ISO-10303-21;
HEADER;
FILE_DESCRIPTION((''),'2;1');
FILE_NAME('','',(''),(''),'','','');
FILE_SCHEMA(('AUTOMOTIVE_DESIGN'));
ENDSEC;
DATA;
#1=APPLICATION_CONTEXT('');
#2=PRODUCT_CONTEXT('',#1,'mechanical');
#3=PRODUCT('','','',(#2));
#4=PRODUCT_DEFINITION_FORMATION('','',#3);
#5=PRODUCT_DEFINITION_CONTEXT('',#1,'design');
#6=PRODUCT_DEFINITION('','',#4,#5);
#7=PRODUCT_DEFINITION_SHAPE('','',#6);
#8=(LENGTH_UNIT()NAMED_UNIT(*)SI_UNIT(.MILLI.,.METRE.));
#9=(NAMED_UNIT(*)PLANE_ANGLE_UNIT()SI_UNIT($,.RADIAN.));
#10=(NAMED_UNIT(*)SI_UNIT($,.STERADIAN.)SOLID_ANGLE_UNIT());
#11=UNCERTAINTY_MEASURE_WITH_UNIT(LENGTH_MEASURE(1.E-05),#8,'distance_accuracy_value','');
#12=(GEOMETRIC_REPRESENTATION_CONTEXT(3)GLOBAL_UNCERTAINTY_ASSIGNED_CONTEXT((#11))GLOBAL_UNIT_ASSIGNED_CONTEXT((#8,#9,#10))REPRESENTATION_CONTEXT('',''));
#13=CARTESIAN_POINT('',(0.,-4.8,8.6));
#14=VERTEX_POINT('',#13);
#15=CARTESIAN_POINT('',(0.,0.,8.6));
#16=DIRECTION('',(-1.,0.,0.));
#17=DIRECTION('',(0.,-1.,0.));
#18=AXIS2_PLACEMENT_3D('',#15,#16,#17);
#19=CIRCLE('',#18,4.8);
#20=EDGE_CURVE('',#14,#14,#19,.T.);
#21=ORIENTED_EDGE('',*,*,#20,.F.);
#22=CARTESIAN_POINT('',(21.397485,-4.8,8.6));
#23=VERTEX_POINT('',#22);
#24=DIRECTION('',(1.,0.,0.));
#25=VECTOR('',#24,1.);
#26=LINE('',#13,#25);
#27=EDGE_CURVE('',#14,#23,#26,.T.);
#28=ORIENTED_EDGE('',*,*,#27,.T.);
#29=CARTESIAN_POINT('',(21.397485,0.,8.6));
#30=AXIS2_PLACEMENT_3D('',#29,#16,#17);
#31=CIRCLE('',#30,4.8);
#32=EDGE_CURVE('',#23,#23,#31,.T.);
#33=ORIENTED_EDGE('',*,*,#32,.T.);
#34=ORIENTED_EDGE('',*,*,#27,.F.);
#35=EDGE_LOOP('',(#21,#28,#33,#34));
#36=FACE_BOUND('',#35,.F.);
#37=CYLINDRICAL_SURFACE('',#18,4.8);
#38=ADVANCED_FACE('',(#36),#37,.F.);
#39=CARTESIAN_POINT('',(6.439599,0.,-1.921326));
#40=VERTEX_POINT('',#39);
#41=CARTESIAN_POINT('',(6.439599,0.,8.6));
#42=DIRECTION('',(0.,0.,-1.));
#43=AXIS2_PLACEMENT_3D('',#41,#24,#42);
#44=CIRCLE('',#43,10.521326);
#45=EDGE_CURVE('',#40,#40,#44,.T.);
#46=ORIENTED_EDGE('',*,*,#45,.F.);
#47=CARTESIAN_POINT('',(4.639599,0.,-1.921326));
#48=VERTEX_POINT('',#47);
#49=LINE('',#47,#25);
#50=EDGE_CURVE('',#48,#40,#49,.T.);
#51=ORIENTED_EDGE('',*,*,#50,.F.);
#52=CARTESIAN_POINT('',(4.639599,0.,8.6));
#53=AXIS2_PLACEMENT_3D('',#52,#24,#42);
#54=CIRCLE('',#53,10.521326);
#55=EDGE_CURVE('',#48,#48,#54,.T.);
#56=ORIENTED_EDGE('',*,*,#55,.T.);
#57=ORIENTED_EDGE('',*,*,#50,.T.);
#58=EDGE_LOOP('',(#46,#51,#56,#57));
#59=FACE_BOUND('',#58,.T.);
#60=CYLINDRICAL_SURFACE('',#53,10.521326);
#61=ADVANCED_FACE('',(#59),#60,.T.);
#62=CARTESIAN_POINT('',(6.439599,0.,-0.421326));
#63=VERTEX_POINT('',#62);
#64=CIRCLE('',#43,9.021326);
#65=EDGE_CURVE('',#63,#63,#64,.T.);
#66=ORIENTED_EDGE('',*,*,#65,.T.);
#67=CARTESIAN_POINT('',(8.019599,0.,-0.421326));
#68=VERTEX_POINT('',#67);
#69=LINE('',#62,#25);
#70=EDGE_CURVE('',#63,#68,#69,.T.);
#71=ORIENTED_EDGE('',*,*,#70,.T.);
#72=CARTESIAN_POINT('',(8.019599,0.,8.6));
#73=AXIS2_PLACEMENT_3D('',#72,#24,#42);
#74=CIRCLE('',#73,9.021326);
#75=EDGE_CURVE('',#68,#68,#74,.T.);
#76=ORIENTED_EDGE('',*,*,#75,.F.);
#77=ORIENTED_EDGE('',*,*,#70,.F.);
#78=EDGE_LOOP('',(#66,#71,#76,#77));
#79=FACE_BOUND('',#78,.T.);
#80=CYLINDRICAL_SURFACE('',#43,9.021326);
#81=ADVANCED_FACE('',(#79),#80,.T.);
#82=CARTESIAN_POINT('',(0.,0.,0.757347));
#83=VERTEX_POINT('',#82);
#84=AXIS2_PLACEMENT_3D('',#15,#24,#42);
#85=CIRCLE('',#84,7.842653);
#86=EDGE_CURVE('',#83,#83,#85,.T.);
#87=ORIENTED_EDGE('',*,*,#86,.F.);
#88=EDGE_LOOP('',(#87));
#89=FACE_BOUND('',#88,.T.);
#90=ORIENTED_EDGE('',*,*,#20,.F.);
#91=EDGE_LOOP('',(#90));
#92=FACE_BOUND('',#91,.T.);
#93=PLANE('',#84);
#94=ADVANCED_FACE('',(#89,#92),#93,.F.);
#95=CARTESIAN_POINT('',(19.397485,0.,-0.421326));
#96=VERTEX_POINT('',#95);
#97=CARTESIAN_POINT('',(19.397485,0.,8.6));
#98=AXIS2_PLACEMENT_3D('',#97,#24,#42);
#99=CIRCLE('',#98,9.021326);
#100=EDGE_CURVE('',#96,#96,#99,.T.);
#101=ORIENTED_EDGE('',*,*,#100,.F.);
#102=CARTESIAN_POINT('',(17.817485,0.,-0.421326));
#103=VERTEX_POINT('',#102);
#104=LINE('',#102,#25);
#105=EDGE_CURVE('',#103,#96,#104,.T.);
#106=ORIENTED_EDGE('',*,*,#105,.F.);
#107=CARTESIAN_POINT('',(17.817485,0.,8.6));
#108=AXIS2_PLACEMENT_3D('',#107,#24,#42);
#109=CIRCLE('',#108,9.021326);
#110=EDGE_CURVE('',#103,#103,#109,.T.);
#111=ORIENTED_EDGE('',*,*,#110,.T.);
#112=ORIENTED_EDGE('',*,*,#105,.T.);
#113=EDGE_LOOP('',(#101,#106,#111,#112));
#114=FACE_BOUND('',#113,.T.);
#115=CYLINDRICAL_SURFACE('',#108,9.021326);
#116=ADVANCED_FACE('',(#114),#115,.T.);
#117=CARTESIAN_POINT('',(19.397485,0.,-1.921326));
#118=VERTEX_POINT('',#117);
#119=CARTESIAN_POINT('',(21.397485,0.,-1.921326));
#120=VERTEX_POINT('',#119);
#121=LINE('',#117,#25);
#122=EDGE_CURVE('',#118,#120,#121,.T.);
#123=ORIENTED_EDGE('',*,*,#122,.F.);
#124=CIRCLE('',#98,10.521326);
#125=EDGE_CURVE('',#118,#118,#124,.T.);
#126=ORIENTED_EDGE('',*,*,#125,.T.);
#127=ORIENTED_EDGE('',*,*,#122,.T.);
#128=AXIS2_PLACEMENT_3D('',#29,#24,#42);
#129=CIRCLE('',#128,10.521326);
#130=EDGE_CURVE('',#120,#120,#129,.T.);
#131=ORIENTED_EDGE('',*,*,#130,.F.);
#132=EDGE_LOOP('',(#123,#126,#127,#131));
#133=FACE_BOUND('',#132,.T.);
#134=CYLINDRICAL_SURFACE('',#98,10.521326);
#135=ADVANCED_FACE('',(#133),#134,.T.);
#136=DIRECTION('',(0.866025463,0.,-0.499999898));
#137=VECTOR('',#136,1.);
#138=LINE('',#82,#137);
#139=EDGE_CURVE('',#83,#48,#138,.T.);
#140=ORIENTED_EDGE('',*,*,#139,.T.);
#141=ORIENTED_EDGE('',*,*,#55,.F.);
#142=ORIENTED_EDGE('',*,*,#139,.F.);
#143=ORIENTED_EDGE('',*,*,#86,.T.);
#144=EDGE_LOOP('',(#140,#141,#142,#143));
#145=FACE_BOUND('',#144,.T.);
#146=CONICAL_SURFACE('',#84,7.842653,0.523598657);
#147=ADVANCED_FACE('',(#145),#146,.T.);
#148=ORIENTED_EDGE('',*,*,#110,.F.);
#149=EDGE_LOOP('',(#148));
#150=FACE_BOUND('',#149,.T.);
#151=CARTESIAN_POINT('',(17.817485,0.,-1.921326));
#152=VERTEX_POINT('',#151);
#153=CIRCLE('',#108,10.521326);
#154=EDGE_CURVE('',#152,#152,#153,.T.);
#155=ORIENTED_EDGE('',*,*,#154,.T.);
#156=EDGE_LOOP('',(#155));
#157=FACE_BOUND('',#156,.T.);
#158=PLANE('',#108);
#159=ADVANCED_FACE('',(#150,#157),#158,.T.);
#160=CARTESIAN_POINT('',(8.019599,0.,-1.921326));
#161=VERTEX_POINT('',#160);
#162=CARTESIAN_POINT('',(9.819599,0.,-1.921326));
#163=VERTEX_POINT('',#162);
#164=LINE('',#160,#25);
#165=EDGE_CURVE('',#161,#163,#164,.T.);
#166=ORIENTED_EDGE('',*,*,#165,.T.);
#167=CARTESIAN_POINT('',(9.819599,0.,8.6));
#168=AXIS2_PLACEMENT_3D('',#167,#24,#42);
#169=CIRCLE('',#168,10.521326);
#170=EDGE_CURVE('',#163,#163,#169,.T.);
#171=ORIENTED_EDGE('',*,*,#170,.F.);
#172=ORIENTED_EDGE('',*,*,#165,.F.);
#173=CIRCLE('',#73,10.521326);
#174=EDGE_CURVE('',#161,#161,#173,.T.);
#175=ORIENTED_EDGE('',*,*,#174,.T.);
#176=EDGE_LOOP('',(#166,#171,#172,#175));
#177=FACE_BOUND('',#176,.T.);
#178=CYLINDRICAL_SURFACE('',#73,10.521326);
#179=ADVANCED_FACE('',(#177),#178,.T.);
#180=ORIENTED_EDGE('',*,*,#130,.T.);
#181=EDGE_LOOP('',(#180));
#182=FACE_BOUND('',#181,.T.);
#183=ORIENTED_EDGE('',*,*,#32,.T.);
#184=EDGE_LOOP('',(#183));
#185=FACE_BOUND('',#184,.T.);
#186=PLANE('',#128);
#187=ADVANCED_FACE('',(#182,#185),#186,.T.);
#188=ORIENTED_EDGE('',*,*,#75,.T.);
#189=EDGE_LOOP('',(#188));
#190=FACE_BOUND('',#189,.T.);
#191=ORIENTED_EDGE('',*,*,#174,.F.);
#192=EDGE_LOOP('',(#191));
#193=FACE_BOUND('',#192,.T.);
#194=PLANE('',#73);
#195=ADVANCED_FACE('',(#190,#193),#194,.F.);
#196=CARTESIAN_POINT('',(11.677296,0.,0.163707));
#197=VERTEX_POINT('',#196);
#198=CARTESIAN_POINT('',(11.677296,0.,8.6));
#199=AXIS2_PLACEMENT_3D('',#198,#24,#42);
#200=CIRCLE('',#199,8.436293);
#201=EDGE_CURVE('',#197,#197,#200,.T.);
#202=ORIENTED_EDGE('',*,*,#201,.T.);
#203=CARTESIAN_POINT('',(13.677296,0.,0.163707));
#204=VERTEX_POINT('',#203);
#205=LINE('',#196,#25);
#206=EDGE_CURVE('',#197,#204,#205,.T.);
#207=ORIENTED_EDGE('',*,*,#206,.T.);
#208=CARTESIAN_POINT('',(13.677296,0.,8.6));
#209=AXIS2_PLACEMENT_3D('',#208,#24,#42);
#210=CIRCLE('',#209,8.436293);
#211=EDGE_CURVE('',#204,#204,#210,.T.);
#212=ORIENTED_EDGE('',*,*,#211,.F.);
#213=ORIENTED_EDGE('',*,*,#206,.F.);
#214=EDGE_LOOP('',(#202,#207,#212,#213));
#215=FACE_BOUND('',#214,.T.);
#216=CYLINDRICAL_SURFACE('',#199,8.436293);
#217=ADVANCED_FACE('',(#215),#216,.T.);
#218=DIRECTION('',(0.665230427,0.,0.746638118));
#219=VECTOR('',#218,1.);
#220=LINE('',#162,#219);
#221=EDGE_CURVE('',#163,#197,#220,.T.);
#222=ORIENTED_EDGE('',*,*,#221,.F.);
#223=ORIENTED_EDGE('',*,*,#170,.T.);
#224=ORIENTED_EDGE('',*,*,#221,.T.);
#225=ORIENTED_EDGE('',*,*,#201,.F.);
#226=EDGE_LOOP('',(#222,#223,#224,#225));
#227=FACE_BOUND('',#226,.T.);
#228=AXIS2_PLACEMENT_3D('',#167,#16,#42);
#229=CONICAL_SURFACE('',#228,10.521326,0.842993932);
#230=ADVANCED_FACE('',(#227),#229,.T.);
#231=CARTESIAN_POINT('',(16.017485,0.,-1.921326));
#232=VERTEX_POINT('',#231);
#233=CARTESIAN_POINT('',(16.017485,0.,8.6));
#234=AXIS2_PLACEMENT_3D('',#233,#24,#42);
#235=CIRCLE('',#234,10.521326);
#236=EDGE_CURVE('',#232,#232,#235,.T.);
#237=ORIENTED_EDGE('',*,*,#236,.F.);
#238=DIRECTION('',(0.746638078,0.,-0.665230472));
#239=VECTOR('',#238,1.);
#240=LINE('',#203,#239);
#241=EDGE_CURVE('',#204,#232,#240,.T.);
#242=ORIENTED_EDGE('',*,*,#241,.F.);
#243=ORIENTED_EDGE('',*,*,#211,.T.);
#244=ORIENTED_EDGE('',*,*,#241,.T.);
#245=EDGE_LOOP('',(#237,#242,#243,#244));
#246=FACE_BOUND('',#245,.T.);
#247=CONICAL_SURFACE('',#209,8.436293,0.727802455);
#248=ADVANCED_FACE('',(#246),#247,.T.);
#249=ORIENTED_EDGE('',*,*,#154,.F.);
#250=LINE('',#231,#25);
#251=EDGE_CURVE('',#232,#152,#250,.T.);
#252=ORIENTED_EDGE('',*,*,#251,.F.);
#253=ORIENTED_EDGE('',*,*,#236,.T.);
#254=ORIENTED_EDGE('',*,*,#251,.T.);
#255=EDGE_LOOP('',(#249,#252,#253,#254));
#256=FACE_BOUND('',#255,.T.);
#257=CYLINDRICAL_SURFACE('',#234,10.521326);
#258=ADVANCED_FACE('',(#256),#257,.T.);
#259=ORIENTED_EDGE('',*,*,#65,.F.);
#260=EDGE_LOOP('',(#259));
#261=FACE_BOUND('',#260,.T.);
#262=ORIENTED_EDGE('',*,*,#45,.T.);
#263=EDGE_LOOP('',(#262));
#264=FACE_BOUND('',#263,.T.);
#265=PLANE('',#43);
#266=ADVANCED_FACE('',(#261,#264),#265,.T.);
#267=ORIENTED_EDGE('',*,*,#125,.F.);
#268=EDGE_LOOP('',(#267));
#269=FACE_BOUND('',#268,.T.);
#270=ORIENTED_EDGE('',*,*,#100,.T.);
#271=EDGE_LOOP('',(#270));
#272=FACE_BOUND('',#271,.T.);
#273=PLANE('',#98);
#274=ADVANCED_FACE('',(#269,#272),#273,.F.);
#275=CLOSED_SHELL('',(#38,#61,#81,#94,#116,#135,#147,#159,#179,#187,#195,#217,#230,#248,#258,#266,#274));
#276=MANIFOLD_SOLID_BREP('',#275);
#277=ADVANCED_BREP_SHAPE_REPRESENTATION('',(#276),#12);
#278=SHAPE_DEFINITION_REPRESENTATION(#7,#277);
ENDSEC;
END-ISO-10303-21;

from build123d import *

# Parameters (mm, degrees)
F2_R     = 4.8
F3_DEPTH = 25


with BuildPart() as f1:
    # F0 (on Front) → F1 (revolve)
    with BuildSketch(Plane.XZ):
        Polygon((21.397485, 8.6), (0, 8.6), (0, 0.757347), (4.639599, -1.921326), (6.439599, -1.921326), (6.439599, -0.421326), (8.019599, -0.421326), (8.019599, -1.921326), (9.819599, -1.921326), (11.677296, 0.163707), (13.677296, 0.163707), (16.017485, -1.921326), (17.817485, -1.921326), (17.817485, -0.421326), (19.397485, -0.421326), (19.397485, -1.921326), (21.397485, -1.921326), align=None)
    revolve(axis=Axis((10.698743, 0, 8.6), (1, 0, 0)))

    # F2 (on face) → F3 (cut)
    with BuildSketch(Plane(origin=(0, 0, 0), x_dir=(0, -1, 0), z_dir=(-1, 0, 0))):
        with Locations((0, 8.6)):
            Circle(F2_R)
    extrude(amount=-F3_DEPTH, mode=Mode.SUBTRACT)


solid = f1.part
